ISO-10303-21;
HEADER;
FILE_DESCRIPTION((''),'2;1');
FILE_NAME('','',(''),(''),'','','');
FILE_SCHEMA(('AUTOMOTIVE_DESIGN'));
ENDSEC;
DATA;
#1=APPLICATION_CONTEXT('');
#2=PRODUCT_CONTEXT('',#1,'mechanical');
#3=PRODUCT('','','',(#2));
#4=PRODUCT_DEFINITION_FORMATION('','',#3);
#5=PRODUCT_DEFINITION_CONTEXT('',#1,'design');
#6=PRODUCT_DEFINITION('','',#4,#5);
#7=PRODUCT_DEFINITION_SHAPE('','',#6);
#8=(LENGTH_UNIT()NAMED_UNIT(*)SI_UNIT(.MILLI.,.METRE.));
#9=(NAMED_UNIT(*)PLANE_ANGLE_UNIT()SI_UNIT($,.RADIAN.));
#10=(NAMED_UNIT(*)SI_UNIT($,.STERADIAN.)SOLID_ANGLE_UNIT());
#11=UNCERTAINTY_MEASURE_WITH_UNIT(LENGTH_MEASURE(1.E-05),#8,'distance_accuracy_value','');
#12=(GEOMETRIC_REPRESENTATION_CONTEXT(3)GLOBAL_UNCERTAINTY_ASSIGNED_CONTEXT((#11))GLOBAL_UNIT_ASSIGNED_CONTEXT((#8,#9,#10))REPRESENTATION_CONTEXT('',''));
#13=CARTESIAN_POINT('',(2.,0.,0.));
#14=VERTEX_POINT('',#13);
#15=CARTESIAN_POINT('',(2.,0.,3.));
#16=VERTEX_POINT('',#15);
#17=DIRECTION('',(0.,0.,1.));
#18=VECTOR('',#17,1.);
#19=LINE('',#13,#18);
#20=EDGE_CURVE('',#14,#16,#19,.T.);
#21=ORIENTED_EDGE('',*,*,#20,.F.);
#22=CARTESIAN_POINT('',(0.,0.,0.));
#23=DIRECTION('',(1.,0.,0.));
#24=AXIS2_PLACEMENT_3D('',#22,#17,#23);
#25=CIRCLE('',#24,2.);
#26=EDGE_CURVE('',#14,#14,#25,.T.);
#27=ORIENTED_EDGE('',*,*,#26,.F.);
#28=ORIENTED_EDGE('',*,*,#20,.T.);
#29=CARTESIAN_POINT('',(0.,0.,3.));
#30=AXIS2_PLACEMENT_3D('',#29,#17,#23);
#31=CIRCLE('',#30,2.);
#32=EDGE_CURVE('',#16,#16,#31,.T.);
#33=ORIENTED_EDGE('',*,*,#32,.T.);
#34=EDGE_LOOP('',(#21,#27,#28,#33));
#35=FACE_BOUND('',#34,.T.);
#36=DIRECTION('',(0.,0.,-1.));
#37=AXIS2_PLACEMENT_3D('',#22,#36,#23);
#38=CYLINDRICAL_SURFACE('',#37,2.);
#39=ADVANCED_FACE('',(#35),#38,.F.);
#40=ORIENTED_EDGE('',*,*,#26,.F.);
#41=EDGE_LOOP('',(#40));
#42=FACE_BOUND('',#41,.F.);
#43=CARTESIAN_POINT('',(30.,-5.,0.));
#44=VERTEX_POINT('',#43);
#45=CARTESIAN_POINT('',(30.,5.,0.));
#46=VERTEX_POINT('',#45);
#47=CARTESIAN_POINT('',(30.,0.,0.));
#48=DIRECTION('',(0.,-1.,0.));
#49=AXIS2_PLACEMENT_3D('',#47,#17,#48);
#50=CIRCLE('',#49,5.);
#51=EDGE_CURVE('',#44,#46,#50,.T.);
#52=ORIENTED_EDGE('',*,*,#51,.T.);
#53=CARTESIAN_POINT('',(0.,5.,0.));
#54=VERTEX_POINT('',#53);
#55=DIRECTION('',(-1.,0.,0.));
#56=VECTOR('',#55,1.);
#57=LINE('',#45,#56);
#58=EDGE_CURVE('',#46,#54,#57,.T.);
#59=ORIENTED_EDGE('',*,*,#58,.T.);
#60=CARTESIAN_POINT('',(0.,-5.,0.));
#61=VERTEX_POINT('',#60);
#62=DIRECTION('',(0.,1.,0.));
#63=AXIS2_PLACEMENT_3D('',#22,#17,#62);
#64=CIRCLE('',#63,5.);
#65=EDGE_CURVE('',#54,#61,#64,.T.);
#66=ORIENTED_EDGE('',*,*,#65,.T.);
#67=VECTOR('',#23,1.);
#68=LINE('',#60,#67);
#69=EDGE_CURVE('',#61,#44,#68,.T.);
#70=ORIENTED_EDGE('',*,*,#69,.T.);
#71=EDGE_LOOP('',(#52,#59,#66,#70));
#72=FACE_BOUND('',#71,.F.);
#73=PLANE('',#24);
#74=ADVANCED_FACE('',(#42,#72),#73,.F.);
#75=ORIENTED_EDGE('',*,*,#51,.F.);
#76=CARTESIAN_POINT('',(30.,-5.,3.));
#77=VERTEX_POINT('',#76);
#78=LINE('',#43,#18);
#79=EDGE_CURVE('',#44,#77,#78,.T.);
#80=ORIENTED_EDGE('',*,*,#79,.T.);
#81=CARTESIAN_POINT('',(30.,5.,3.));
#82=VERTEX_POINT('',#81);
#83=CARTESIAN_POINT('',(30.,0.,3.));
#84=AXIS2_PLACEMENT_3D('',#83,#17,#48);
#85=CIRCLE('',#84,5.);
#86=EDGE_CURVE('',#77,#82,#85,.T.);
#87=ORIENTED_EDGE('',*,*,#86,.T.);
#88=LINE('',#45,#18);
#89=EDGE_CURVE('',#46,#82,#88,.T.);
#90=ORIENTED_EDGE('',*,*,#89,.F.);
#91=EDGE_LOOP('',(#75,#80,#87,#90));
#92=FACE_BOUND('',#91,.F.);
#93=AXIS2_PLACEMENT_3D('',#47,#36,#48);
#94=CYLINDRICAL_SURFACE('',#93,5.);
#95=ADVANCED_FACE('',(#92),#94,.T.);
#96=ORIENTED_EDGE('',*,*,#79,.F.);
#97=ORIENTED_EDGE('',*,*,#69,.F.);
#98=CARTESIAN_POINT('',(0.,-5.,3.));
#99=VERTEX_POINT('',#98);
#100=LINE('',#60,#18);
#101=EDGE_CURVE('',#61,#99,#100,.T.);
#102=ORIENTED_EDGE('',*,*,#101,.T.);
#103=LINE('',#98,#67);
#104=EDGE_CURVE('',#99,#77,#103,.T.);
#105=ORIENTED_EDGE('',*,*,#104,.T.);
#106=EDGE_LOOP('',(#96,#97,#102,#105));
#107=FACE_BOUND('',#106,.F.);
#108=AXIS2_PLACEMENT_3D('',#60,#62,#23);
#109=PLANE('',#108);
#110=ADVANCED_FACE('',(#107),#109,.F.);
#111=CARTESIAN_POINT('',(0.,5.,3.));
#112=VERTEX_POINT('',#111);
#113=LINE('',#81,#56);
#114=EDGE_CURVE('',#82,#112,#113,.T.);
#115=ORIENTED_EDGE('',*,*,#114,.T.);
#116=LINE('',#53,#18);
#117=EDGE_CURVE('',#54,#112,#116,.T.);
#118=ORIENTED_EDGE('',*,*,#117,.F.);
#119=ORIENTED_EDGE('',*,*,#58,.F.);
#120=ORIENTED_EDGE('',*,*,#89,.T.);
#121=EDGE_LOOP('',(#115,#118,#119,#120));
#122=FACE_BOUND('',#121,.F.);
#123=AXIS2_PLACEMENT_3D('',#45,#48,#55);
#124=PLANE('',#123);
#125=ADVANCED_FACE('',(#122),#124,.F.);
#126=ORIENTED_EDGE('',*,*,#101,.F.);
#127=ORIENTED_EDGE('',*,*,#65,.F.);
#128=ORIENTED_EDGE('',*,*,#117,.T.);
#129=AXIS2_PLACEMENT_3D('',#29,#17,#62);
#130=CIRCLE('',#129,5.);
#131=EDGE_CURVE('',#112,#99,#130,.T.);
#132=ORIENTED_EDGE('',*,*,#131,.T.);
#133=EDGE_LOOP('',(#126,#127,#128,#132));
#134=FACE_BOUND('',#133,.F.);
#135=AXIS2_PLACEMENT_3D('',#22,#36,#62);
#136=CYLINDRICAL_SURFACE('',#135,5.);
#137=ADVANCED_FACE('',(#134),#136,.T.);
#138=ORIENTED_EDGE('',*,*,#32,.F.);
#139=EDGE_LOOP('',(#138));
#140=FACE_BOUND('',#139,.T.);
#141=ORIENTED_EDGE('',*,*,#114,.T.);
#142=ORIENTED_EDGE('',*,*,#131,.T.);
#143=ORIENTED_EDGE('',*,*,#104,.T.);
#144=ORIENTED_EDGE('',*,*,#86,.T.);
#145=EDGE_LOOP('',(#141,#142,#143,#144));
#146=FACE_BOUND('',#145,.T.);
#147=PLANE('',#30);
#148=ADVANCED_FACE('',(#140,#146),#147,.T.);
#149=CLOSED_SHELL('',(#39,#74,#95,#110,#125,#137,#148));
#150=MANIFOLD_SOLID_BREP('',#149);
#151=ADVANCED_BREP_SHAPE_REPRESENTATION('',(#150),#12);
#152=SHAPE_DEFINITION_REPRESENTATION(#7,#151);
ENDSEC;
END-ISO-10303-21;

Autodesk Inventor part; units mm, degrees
ref_plane "YZ Plane" through (0, 0, 0) normal (1, 0, 0) x (0, 1, 0)
ref_plane "XZ Plane" through (0, 0, 0) normal (0, 1, 0) x (-1, 0, 0)
ref_plane "XY Plane" through (0, 0, 0) normal (0, 0, 1) x (1, 0, 0)
sketch "草圖1" plane through (0, 0, 0) normal (0, 0, 1) x (1, 0, 0)
  arc A0 (-220, 5) -> (-220, -5) centre (-220, 0) ccw
  circle A1 centre (-220, 0) radius 2.1
  circle A2 centre (-220, 0) radius 2.1
  line L0 (-220, 0) -> (-190, 0) construction
  line L1 (-220, -5) -> (-190, -5)
  line L2 (-190, 5) -> (-220, 5)
  arc A3 (-220, 5) -> (-220, -5) centre (-220, 0) ccw
  arc A4 (-190, -5) -> (-190, 5) centre (-190, 0) ccw
  line L3 (0, 0) -> (30, 0) construction
  line L4 (0, -5) -> (30, -5)
  line L5 (30, 5) -> (0, 5)
  arc A5 (0, 5) -> (0, -5) centre (0, 0) ccw
  arc A6 (30, -5) -> (30, 5) centre (30, 0) ccw
  circle A7 centre (0, 0) radius 2
  point P0 (-205, 0)
  point P1 (15, 0)
  dimension "d0" = 30
  dimension "d1" = 30
  dimension "d2" = 10
  dimension "d3" = 4
extrude "擠出1" add sketch "草圖1" along normal blind 3 contours A5 L5 A6 L4
